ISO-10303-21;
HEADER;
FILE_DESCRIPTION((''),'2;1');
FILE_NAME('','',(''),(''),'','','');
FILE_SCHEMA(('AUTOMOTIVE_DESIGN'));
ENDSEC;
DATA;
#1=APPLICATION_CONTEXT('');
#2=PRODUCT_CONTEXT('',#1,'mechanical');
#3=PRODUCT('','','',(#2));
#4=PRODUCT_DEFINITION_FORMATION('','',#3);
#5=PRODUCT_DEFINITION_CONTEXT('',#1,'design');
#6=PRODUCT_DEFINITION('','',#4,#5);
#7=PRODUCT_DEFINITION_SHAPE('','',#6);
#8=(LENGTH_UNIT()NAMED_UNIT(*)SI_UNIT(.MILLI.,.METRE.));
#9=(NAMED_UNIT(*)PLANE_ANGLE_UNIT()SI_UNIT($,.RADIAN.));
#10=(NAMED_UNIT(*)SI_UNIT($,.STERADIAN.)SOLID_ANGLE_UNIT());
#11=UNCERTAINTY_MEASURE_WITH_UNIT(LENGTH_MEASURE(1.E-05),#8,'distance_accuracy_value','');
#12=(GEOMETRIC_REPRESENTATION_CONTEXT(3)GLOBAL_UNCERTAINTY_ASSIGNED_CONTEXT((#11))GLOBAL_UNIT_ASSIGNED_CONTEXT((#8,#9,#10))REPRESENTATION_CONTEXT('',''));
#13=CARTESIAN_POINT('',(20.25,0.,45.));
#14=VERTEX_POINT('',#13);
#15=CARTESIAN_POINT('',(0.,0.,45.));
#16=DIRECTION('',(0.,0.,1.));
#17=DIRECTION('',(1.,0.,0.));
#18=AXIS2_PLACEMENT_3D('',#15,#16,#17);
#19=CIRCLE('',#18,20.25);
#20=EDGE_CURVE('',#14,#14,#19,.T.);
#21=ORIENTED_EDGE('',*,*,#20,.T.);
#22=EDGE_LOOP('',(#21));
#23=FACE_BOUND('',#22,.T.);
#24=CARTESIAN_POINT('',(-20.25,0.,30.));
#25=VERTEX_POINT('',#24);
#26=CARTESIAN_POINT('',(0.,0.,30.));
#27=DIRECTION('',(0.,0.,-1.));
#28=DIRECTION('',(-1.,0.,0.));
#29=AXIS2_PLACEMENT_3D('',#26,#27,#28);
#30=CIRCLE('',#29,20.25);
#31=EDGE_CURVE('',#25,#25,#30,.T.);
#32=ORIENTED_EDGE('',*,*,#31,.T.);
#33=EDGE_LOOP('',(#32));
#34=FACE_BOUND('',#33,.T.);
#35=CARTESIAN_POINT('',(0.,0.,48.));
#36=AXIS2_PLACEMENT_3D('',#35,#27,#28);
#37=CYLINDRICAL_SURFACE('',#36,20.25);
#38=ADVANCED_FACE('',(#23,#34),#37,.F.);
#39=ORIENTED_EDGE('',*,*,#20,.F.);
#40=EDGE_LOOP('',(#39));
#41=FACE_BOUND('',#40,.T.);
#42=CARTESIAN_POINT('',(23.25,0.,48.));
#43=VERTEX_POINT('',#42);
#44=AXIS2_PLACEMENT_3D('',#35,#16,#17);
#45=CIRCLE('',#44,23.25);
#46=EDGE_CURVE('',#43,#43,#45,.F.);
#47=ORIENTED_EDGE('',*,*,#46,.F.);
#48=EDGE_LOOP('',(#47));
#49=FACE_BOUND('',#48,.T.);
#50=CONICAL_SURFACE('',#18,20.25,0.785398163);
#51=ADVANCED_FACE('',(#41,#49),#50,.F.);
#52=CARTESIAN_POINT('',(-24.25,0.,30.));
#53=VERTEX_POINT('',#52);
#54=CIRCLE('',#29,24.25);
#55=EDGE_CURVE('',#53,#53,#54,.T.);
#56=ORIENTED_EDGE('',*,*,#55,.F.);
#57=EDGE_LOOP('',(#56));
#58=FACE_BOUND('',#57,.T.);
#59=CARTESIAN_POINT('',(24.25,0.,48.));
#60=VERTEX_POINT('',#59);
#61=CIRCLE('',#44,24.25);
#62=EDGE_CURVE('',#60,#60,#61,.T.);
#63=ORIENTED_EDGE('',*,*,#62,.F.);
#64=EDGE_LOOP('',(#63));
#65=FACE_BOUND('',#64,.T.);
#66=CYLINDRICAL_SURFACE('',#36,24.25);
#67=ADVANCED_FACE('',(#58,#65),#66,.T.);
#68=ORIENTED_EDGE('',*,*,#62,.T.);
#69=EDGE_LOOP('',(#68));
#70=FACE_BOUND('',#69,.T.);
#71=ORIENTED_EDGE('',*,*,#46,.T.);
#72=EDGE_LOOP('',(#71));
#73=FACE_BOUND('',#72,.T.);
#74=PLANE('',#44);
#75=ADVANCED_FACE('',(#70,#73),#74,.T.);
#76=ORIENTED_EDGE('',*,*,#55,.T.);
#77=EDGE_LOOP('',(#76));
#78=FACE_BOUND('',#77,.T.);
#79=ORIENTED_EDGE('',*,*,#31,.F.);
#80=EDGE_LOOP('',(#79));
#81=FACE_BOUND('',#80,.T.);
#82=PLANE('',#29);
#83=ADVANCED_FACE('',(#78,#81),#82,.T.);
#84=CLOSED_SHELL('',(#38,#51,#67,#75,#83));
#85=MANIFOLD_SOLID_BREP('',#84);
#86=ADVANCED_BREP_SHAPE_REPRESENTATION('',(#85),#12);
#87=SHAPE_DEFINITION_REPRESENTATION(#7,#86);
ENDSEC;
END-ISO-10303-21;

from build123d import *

# Parameters (mm, degrees)
ESQUISSE1_R             = 24.25
ESQUISSE1_R_2           = 20.25
BOSS_EXTRU_1_DEPTH      = 48
CHANFREIN1_SIZE         = 3
ESQUISSE2_R             = 24.25
ENL_V_MAT_EXTRU_1_DEPTH = 30


with BuildPart() as part:
    # Esquisse1 → Boss.-Extru.1 (new body)
    with BuildSketch(Plane.XY):
        Circle(ESQUISSE1_R)
        Circle(ESQUISSE1_R_2, mode=Mode.SUBTRACT)
    extrude(amount=BOSS_EXTRU_1_DEPTH)

    # Chanfrein1
    chanfrein1_edges = [part.edges().sort_by_distance(p)[0] for p in [
        (-20.25, 0, 48),
    ]]
    chamfer(chanfrein1_edges, length=CHANFREIN1_SIZE)

    # Esquisse2 → Enlèv. mat.-Extru.1 (cut)
    with BuildSketch(Plane(origin=(0, 0, 0), x_dir=(-1, 0, 0), z_dir=(0, 0, -1))):
        Circle(ESQUISSE2_R)
    extrude(amount=-ENL_V_MAT_EXTRU_1_DEPTH, mode=Mode.SUBTRACT)


solid = part.part
